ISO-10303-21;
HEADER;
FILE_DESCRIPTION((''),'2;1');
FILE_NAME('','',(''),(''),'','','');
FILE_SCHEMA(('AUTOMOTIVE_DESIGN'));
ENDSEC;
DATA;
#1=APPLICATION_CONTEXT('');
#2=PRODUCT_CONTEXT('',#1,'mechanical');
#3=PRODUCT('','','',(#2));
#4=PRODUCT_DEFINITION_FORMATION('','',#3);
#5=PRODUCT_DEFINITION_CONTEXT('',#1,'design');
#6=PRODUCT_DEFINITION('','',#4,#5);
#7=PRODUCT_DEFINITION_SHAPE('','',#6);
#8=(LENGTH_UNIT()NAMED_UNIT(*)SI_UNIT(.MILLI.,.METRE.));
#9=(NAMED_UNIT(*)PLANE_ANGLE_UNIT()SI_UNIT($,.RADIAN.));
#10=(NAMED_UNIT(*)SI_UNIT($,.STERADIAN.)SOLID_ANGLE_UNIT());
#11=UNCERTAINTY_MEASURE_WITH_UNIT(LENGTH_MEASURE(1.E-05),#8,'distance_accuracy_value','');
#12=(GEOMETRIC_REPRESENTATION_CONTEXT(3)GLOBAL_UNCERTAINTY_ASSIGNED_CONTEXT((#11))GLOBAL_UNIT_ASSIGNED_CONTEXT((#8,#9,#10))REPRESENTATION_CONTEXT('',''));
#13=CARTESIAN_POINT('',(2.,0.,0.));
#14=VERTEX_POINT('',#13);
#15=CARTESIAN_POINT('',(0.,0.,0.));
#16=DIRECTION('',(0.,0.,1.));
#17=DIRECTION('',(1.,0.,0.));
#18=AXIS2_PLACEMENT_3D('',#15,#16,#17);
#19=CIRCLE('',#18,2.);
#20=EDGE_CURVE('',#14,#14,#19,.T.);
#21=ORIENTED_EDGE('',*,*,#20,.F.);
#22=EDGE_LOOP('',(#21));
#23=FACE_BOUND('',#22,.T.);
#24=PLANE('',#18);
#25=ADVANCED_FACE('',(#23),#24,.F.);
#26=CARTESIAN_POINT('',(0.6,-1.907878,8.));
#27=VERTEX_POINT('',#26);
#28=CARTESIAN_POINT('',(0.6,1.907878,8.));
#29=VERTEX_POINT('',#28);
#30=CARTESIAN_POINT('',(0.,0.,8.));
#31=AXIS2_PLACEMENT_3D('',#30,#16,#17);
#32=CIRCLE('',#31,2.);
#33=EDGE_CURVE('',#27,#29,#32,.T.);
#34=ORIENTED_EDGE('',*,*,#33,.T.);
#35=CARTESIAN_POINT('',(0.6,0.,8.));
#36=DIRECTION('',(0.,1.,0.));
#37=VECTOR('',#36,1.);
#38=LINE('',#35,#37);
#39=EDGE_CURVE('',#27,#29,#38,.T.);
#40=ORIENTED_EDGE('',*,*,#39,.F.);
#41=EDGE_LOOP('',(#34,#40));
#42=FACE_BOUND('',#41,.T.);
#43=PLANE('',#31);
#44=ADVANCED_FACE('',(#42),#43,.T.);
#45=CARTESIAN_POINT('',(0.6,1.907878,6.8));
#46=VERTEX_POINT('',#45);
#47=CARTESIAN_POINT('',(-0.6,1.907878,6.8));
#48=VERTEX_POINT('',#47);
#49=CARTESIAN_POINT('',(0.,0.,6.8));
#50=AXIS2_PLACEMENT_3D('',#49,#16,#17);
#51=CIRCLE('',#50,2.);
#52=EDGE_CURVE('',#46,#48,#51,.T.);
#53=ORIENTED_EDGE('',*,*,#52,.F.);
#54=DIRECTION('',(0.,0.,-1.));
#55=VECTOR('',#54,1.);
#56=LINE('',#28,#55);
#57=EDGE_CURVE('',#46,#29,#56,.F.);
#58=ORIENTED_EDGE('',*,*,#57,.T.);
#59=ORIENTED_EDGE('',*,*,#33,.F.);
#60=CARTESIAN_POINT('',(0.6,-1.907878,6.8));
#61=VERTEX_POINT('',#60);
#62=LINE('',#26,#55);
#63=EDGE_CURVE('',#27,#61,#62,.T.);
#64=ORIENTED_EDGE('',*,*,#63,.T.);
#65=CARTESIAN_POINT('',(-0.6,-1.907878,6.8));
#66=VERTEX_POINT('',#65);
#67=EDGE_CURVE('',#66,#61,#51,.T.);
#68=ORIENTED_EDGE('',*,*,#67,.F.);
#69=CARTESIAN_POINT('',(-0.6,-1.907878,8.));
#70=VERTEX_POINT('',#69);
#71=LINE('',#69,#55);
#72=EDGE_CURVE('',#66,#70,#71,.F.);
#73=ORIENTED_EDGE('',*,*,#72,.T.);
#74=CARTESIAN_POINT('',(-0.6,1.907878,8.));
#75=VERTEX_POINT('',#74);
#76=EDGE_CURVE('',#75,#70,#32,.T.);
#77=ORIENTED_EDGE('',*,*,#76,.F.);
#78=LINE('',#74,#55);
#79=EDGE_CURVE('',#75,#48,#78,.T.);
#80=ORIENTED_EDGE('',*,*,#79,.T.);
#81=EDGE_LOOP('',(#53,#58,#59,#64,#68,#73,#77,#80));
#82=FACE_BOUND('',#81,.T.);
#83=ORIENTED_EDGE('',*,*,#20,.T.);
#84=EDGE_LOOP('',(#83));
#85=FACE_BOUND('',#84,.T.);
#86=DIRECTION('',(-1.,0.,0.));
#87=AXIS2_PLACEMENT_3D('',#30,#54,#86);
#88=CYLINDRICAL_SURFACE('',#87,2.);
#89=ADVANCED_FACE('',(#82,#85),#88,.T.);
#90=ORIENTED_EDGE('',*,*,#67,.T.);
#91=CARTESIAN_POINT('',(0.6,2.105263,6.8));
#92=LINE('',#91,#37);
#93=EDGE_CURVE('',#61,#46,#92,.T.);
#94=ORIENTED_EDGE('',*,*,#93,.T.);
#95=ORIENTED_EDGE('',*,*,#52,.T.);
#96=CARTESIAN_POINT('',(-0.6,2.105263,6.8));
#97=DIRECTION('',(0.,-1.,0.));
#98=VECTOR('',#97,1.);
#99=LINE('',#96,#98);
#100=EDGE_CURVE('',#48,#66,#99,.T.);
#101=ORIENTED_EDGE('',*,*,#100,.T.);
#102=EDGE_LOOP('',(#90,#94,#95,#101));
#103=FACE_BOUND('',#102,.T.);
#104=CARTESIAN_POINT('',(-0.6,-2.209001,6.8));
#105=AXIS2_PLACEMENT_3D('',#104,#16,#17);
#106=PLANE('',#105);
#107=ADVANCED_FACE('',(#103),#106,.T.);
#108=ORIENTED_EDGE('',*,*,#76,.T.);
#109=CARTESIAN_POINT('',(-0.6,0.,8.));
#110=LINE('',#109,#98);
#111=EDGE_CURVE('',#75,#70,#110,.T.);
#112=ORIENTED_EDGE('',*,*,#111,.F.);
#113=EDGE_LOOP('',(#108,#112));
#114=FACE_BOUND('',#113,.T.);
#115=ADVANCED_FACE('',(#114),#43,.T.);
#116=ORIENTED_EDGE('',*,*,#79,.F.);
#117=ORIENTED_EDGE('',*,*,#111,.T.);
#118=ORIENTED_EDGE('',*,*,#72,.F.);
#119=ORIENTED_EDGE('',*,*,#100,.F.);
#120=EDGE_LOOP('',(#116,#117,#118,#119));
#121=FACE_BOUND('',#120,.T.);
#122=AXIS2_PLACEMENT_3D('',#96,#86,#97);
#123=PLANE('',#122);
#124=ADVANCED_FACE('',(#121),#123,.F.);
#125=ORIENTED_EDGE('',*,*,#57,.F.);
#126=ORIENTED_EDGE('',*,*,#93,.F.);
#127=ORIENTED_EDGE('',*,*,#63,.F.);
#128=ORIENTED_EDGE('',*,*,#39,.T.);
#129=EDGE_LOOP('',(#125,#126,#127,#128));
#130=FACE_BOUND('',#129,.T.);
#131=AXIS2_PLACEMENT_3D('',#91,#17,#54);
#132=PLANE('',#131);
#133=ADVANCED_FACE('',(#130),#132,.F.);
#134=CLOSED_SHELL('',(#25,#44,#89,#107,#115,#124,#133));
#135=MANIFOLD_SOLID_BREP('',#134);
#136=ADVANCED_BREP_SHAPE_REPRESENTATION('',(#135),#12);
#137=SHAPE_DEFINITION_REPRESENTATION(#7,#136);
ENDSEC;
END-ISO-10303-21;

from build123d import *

# Parameters (mm, degrees)
SKETCH_1_R          = 2
EXTRUDE_1_DEPTH     = 8
SKETCH_2_W          = 1.2
SKETCH_2_H          = 4.314263921
CUT_EXTRUDE_1_DEPTH = 1.2


with BuildPart() as part:
    # 草图1 → 拉伸1 (new body)
    with BuildSketch(Plane.XY):
        Circle(SKETCH_1_R)
    extrude(amount=EXTRUDE_1_DEPTH)

    # 草图2 → 切除-拉伸1 (cut)
    with BuildSketch(Plane.XY.offset(8)):
        with Locations((0, -0.051868803)):
            Rectangle(SKETCH_2_W, SKETCH_2_H)
    extrude(amount=-CUT_EXTRUDE_1_DEPTH, mode=Mode.SUBTRACT)


solid = part.part
